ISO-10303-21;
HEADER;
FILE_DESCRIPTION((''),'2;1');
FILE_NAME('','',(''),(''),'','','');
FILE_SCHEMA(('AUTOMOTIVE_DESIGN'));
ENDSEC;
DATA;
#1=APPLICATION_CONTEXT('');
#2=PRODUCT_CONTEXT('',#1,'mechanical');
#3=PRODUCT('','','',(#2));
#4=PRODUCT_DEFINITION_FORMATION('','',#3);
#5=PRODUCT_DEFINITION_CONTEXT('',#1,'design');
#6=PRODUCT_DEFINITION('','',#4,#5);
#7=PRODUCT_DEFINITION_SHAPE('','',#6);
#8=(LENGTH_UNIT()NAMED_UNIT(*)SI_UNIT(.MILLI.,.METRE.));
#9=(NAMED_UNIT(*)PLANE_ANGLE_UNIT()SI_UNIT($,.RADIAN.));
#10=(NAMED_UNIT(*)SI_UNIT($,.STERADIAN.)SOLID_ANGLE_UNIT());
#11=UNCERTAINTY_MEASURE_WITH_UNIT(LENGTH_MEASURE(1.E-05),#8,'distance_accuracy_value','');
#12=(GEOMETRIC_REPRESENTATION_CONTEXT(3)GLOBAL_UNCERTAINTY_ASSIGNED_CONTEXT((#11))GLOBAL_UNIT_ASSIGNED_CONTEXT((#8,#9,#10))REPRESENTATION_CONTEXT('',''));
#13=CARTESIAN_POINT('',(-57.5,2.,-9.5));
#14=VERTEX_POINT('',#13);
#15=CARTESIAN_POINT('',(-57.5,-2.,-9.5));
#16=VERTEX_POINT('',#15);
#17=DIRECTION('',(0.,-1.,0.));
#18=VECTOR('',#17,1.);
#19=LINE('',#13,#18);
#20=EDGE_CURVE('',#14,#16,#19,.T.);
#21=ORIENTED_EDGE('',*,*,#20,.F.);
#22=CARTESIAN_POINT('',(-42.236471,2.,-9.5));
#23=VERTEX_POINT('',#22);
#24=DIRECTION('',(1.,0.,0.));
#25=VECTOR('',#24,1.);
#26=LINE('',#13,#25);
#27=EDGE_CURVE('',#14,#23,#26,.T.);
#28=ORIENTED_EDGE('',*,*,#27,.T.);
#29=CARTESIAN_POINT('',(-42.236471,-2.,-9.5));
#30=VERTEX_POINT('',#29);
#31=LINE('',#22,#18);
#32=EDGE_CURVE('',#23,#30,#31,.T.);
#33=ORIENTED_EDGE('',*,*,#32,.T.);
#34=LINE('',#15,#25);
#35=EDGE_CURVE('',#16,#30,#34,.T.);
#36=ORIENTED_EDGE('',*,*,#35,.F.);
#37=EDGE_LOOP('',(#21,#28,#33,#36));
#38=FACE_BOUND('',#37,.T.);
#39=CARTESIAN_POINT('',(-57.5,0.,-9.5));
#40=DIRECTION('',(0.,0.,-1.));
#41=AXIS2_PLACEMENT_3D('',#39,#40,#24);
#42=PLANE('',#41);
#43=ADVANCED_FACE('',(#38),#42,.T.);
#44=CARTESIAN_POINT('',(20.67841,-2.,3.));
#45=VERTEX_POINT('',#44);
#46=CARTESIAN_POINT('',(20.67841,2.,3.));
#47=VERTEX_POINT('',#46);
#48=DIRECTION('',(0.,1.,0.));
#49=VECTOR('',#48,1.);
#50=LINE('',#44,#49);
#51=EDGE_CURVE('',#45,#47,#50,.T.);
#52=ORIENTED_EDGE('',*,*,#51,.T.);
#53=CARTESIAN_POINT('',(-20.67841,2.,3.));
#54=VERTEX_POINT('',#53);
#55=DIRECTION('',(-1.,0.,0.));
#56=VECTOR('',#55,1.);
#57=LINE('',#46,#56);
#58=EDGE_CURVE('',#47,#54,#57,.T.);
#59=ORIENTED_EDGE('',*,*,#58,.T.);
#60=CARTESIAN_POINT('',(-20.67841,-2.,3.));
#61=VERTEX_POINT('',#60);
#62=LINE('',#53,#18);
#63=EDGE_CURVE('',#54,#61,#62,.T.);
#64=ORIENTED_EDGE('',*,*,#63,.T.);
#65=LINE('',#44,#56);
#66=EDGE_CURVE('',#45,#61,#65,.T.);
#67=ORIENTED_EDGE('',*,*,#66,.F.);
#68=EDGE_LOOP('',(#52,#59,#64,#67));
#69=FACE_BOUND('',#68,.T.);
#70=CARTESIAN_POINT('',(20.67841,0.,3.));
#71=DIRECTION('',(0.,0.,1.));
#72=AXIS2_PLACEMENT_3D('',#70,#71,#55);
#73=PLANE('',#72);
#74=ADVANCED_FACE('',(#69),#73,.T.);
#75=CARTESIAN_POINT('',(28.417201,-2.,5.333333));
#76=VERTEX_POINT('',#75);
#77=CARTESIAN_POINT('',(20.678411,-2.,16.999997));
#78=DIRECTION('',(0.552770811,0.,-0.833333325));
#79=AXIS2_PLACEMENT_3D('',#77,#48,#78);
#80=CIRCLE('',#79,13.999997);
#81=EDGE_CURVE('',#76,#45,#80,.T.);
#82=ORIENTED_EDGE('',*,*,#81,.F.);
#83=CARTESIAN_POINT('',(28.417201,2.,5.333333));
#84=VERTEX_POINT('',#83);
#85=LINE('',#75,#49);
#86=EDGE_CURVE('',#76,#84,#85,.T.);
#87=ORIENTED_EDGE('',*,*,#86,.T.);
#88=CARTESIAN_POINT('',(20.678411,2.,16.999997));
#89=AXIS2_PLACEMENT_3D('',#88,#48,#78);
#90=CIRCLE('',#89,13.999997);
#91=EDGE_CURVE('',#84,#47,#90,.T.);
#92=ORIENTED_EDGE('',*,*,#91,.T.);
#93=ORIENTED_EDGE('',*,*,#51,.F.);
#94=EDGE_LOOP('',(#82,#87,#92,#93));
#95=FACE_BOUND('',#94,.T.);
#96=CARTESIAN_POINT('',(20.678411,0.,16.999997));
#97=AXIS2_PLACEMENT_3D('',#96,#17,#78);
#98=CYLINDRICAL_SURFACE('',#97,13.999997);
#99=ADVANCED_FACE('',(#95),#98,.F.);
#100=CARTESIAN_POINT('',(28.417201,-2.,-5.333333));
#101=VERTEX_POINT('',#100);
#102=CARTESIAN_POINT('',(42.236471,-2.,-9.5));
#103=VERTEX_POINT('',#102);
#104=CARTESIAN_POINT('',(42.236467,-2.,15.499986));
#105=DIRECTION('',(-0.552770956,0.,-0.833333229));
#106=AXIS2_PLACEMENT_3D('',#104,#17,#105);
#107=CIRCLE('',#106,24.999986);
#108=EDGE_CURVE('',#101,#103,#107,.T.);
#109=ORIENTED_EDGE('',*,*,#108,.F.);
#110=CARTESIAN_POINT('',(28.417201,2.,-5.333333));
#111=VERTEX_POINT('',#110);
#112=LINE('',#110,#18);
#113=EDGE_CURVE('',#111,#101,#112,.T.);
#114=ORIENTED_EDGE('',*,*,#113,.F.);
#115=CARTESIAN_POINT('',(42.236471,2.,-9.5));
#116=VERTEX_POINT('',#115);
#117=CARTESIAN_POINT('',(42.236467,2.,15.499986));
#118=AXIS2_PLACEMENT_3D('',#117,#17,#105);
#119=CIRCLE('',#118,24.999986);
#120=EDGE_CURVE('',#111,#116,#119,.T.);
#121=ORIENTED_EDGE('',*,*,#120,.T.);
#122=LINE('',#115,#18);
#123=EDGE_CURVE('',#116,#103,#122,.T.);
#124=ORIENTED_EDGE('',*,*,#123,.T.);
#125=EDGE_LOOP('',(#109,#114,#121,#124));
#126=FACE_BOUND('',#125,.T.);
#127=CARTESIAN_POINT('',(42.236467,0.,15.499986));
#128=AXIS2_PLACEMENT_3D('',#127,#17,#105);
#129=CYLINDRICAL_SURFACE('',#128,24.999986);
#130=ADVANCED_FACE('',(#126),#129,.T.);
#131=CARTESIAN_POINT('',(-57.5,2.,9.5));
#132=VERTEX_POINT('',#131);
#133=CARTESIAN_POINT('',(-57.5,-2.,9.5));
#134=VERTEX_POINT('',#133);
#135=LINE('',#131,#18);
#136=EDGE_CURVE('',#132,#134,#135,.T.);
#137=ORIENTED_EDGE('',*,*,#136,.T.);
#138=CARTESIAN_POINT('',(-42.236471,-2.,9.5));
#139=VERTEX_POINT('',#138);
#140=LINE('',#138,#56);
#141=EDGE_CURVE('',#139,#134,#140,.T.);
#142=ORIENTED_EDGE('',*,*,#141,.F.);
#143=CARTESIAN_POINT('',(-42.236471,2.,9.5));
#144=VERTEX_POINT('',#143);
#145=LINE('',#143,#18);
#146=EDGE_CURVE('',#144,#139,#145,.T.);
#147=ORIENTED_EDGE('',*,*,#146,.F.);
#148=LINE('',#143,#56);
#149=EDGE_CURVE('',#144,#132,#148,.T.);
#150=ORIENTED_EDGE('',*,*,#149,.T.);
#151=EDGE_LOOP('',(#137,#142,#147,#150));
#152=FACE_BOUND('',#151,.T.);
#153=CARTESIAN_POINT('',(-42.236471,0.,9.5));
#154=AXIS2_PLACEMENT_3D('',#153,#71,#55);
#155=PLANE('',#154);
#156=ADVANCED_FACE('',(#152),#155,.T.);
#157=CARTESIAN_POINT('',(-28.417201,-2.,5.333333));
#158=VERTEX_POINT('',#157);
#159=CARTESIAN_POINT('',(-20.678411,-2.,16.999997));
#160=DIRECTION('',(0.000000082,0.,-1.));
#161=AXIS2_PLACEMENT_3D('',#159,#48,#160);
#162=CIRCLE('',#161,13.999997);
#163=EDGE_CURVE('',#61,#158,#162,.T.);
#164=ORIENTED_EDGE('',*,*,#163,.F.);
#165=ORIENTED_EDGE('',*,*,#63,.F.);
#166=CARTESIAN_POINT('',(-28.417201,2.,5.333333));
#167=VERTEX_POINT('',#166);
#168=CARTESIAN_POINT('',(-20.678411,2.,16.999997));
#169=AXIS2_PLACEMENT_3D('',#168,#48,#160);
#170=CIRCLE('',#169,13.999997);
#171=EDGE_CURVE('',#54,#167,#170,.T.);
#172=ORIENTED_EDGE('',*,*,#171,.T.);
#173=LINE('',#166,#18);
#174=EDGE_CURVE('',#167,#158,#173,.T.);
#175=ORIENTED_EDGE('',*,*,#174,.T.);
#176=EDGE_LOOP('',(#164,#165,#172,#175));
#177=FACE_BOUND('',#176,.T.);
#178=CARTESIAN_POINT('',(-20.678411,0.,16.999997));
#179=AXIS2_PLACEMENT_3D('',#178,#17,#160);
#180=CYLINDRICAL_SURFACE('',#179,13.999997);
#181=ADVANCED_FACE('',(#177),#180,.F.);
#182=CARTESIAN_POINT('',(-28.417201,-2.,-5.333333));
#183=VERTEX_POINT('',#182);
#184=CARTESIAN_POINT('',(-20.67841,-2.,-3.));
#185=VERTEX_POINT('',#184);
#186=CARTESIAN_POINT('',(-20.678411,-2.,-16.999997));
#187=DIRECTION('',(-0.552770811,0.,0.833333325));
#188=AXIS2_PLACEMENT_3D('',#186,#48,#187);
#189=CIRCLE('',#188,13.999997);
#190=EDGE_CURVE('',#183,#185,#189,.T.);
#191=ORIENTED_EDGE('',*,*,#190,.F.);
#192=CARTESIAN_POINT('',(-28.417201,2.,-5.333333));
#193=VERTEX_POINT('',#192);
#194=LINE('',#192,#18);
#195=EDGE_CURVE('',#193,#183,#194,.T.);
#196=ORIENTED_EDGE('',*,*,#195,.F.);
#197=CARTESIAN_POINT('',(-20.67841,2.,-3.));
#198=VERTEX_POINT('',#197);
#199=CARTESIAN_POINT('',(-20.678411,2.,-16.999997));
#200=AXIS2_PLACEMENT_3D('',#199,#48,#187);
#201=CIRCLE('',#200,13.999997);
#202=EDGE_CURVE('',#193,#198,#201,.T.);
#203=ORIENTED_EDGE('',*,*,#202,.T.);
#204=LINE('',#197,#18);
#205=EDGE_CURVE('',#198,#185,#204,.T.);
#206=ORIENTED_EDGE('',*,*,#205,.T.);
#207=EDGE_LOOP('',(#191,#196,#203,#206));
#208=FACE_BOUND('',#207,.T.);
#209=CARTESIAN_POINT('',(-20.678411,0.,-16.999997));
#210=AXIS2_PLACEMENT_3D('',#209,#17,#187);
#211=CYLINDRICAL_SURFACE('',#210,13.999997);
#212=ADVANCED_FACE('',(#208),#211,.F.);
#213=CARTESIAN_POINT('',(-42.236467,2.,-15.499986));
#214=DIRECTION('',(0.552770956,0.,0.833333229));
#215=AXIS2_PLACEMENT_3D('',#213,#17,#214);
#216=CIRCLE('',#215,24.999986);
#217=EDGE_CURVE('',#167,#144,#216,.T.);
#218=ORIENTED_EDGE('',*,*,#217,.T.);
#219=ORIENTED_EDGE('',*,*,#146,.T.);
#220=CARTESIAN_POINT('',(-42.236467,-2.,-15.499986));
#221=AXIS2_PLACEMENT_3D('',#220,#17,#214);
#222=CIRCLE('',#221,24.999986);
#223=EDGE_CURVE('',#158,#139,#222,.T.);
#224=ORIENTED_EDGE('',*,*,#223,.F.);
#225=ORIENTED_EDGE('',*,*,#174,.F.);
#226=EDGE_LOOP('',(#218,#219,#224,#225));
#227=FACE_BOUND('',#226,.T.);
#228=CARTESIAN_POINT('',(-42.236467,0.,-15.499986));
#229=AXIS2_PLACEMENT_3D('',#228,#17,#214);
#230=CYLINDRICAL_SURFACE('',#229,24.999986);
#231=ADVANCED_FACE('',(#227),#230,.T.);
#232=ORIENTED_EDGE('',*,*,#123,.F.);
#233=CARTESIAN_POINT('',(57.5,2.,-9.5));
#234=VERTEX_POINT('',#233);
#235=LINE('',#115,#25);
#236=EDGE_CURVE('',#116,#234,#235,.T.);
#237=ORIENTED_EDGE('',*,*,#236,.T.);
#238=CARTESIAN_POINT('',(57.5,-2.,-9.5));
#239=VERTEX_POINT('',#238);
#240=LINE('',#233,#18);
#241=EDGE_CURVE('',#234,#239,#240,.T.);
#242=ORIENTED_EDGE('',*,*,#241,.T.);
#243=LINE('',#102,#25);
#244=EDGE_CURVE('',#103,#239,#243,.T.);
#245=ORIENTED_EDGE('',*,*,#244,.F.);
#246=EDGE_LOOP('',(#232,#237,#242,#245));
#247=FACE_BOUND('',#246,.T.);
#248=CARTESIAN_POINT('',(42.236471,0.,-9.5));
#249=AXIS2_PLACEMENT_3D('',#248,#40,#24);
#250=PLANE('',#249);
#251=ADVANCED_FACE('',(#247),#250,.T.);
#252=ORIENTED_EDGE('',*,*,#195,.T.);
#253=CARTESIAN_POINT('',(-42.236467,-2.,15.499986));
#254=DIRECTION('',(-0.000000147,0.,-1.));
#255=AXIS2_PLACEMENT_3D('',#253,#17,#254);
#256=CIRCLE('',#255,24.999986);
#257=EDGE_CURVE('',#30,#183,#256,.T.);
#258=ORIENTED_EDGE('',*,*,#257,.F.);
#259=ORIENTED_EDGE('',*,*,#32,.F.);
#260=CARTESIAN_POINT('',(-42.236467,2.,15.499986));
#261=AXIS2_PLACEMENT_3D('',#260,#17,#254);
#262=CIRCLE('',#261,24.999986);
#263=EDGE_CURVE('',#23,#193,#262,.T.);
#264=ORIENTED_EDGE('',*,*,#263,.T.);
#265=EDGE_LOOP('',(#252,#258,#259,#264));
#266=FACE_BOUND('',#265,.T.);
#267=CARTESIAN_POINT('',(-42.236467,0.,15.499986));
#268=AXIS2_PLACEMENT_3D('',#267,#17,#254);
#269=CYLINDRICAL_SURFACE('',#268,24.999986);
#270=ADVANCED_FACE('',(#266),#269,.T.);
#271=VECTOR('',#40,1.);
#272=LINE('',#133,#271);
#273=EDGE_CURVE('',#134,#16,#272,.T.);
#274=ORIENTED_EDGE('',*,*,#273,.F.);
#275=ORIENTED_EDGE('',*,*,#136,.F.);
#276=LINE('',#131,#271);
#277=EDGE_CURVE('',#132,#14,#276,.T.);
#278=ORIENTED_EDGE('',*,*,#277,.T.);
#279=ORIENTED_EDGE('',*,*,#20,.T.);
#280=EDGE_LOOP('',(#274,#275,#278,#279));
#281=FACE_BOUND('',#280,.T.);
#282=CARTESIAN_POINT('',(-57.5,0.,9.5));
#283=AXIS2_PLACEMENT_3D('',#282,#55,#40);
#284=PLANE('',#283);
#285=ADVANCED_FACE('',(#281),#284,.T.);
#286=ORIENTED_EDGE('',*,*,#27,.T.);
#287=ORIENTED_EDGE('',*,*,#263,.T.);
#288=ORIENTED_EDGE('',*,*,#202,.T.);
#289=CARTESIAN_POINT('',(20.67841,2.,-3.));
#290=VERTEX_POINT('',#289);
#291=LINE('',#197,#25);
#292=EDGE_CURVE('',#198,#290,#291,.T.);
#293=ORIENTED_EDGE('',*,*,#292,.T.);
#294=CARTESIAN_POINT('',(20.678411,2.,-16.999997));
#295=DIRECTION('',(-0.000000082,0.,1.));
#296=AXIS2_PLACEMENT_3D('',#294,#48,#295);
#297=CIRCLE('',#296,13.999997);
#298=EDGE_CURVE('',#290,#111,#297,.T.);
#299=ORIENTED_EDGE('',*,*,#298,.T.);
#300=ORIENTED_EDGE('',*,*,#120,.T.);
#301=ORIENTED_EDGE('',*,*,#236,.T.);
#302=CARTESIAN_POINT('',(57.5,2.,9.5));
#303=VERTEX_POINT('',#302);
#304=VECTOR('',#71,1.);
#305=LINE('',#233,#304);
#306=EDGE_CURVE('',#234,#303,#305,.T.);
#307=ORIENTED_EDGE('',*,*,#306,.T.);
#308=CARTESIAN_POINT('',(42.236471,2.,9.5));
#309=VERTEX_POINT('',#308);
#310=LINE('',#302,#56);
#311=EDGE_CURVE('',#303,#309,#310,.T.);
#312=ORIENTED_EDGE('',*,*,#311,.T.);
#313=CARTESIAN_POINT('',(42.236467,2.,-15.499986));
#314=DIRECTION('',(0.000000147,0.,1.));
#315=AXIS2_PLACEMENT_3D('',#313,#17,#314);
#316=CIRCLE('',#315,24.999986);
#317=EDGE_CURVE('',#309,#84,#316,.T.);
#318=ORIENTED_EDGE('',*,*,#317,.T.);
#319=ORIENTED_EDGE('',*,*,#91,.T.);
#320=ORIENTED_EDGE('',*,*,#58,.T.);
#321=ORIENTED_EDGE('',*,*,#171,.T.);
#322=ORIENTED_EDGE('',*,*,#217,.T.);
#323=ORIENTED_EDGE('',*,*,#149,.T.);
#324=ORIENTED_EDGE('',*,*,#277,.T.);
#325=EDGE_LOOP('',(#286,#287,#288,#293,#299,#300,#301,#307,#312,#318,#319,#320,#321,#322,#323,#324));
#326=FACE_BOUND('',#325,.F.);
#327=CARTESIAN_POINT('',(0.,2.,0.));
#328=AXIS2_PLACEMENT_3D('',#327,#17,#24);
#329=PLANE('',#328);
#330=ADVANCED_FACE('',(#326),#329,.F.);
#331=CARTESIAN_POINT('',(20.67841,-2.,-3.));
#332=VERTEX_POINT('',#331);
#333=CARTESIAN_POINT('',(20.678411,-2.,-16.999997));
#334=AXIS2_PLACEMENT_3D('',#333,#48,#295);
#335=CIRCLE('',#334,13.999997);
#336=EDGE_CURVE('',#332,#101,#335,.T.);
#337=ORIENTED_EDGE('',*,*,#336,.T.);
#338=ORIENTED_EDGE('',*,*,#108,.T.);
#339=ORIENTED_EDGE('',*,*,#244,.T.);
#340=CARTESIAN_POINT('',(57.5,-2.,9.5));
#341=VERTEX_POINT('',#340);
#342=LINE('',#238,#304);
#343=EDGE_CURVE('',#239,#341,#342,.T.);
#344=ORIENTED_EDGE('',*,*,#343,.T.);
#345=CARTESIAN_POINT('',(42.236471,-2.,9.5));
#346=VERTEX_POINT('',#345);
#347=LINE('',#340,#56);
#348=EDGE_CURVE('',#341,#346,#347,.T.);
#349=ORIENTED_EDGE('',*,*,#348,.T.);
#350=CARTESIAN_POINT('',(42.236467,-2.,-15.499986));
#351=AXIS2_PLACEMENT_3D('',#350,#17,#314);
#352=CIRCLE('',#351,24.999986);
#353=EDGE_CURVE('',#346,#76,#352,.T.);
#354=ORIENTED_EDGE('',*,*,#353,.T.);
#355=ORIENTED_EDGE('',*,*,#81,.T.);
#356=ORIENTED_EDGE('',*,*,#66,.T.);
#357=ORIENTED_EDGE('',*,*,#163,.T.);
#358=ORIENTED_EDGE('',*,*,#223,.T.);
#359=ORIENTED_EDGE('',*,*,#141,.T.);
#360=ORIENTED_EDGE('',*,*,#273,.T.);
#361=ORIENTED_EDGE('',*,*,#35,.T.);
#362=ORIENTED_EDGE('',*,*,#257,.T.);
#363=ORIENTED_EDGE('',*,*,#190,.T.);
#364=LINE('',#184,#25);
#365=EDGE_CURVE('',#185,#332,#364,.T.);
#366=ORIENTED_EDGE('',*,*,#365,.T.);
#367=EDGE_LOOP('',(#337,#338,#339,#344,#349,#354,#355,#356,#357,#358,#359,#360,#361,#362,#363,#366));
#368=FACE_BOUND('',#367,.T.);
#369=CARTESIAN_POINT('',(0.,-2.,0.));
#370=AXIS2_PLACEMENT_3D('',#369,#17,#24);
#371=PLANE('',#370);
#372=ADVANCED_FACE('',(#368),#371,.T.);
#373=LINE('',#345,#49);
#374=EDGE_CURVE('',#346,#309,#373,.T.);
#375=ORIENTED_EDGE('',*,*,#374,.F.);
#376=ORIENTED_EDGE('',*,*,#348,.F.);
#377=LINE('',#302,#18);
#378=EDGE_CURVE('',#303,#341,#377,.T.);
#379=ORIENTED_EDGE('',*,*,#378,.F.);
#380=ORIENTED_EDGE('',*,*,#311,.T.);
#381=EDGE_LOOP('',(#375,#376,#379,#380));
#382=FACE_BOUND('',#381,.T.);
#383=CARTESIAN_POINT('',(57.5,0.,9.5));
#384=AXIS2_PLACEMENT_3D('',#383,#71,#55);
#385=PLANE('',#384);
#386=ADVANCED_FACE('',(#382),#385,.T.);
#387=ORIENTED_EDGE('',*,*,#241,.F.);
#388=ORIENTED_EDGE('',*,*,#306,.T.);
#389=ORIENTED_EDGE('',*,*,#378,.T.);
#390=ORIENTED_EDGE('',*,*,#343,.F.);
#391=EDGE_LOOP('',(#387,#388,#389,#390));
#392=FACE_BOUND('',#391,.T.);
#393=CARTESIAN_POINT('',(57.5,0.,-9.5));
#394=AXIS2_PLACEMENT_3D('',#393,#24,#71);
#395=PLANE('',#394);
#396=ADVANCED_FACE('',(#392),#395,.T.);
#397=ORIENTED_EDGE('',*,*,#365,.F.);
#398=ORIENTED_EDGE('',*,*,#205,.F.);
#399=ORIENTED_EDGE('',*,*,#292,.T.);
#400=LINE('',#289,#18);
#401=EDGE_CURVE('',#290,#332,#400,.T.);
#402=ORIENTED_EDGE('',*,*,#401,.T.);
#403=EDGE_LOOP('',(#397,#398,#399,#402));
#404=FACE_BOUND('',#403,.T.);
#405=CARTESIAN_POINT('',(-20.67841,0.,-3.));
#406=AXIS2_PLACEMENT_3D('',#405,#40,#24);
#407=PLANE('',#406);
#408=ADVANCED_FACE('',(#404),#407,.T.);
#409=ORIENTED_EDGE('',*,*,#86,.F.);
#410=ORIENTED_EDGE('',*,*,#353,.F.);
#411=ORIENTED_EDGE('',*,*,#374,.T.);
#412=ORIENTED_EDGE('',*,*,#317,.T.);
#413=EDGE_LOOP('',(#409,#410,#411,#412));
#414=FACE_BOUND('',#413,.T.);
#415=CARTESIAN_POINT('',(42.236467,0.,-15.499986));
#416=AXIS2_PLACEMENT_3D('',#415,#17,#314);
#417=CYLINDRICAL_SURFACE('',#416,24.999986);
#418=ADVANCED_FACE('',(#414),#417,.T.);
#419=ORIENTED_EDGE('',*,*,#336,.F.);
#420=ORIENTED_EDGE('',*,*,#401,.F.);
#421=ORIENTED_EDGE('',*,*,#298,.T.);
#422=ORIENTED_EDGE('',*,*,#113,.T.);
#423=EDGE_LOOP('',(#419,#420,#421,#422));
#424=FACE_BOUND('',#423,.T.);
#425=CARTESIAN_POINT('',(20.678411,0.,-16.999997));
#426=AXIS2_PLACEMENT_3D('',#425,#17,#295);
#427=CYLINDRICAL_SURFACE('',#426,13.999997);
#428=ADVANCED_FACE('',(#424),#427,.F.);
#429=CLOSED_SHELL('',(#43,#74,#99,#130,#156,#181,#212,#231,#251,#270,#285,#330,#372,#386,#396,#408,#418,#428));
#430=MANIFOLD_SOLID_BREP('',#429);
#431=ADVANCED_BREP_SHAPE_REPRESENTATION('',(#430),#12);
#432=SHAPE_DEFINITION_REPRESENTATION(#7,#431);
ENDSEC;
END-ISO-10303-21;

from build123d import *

# Parameters (mm, degrees)
F1_DEPTH = 2


with BuildPart() as f1:
    # F0 (on Front) → F1 (new body, symmetric)
    with BuildSketch(Plane.XZ):
        with BuildLine():
            Line((20.67841, 3), (0, 3))
            Line((0, 3), (-20.67841, 3))
            ThreePointArc((-20.67841, 3), (-24.719861, 3.59602), (-28.417201, 5.333333))
            ThreePointArc((-28.417201, 5.333333), (-35.019592, 8.435678), (-42.236471, 9.5))
            Line((-42.236471, 9.5), (-57.5, 9.5))
            Line((-57.5, 9.5), (-57.5, -9.5))
            Line((-57.5, -9.5), (-42.236471, -9.5))
            ThreePointArc((-42.236471, -9.5), (-35.019592, -8.435678), (-28.417201, -5.333333))
            ThreePointArc((-28.417201, -5.333333), (-24.719861, -3.59602), (-20.67841, -3))
            Line((-20.67841, -3), (0, -3))
            Line((0, -3), (20.67841, -3))
            ThreePointArc((20.67841, -3), (24.719861, -3.59602), (28.417201, -5.333333))
            ThreePointArc((28.417201, -5.333333), (35.019592, -8.435678), (42.236471, -9.5))
            Line((42.236471, -9.5), (57.5, -9.5))
            Line((57.5, -9.5), (57.5, 9.5))
            Line((57.5, 9.5), (42.236471, 9.5))
            ThreePointArc((42.236471, 9.5), (35.019592, 8.435678), (28.417201, 5.333333))
            ThreePointArc((28.417201, 5.333333), (24.719861, 3.59602), (20.67841, 3))
        make_face()
    extrude(amount=F1_DEPTH, both=True)


solid = f1.part
